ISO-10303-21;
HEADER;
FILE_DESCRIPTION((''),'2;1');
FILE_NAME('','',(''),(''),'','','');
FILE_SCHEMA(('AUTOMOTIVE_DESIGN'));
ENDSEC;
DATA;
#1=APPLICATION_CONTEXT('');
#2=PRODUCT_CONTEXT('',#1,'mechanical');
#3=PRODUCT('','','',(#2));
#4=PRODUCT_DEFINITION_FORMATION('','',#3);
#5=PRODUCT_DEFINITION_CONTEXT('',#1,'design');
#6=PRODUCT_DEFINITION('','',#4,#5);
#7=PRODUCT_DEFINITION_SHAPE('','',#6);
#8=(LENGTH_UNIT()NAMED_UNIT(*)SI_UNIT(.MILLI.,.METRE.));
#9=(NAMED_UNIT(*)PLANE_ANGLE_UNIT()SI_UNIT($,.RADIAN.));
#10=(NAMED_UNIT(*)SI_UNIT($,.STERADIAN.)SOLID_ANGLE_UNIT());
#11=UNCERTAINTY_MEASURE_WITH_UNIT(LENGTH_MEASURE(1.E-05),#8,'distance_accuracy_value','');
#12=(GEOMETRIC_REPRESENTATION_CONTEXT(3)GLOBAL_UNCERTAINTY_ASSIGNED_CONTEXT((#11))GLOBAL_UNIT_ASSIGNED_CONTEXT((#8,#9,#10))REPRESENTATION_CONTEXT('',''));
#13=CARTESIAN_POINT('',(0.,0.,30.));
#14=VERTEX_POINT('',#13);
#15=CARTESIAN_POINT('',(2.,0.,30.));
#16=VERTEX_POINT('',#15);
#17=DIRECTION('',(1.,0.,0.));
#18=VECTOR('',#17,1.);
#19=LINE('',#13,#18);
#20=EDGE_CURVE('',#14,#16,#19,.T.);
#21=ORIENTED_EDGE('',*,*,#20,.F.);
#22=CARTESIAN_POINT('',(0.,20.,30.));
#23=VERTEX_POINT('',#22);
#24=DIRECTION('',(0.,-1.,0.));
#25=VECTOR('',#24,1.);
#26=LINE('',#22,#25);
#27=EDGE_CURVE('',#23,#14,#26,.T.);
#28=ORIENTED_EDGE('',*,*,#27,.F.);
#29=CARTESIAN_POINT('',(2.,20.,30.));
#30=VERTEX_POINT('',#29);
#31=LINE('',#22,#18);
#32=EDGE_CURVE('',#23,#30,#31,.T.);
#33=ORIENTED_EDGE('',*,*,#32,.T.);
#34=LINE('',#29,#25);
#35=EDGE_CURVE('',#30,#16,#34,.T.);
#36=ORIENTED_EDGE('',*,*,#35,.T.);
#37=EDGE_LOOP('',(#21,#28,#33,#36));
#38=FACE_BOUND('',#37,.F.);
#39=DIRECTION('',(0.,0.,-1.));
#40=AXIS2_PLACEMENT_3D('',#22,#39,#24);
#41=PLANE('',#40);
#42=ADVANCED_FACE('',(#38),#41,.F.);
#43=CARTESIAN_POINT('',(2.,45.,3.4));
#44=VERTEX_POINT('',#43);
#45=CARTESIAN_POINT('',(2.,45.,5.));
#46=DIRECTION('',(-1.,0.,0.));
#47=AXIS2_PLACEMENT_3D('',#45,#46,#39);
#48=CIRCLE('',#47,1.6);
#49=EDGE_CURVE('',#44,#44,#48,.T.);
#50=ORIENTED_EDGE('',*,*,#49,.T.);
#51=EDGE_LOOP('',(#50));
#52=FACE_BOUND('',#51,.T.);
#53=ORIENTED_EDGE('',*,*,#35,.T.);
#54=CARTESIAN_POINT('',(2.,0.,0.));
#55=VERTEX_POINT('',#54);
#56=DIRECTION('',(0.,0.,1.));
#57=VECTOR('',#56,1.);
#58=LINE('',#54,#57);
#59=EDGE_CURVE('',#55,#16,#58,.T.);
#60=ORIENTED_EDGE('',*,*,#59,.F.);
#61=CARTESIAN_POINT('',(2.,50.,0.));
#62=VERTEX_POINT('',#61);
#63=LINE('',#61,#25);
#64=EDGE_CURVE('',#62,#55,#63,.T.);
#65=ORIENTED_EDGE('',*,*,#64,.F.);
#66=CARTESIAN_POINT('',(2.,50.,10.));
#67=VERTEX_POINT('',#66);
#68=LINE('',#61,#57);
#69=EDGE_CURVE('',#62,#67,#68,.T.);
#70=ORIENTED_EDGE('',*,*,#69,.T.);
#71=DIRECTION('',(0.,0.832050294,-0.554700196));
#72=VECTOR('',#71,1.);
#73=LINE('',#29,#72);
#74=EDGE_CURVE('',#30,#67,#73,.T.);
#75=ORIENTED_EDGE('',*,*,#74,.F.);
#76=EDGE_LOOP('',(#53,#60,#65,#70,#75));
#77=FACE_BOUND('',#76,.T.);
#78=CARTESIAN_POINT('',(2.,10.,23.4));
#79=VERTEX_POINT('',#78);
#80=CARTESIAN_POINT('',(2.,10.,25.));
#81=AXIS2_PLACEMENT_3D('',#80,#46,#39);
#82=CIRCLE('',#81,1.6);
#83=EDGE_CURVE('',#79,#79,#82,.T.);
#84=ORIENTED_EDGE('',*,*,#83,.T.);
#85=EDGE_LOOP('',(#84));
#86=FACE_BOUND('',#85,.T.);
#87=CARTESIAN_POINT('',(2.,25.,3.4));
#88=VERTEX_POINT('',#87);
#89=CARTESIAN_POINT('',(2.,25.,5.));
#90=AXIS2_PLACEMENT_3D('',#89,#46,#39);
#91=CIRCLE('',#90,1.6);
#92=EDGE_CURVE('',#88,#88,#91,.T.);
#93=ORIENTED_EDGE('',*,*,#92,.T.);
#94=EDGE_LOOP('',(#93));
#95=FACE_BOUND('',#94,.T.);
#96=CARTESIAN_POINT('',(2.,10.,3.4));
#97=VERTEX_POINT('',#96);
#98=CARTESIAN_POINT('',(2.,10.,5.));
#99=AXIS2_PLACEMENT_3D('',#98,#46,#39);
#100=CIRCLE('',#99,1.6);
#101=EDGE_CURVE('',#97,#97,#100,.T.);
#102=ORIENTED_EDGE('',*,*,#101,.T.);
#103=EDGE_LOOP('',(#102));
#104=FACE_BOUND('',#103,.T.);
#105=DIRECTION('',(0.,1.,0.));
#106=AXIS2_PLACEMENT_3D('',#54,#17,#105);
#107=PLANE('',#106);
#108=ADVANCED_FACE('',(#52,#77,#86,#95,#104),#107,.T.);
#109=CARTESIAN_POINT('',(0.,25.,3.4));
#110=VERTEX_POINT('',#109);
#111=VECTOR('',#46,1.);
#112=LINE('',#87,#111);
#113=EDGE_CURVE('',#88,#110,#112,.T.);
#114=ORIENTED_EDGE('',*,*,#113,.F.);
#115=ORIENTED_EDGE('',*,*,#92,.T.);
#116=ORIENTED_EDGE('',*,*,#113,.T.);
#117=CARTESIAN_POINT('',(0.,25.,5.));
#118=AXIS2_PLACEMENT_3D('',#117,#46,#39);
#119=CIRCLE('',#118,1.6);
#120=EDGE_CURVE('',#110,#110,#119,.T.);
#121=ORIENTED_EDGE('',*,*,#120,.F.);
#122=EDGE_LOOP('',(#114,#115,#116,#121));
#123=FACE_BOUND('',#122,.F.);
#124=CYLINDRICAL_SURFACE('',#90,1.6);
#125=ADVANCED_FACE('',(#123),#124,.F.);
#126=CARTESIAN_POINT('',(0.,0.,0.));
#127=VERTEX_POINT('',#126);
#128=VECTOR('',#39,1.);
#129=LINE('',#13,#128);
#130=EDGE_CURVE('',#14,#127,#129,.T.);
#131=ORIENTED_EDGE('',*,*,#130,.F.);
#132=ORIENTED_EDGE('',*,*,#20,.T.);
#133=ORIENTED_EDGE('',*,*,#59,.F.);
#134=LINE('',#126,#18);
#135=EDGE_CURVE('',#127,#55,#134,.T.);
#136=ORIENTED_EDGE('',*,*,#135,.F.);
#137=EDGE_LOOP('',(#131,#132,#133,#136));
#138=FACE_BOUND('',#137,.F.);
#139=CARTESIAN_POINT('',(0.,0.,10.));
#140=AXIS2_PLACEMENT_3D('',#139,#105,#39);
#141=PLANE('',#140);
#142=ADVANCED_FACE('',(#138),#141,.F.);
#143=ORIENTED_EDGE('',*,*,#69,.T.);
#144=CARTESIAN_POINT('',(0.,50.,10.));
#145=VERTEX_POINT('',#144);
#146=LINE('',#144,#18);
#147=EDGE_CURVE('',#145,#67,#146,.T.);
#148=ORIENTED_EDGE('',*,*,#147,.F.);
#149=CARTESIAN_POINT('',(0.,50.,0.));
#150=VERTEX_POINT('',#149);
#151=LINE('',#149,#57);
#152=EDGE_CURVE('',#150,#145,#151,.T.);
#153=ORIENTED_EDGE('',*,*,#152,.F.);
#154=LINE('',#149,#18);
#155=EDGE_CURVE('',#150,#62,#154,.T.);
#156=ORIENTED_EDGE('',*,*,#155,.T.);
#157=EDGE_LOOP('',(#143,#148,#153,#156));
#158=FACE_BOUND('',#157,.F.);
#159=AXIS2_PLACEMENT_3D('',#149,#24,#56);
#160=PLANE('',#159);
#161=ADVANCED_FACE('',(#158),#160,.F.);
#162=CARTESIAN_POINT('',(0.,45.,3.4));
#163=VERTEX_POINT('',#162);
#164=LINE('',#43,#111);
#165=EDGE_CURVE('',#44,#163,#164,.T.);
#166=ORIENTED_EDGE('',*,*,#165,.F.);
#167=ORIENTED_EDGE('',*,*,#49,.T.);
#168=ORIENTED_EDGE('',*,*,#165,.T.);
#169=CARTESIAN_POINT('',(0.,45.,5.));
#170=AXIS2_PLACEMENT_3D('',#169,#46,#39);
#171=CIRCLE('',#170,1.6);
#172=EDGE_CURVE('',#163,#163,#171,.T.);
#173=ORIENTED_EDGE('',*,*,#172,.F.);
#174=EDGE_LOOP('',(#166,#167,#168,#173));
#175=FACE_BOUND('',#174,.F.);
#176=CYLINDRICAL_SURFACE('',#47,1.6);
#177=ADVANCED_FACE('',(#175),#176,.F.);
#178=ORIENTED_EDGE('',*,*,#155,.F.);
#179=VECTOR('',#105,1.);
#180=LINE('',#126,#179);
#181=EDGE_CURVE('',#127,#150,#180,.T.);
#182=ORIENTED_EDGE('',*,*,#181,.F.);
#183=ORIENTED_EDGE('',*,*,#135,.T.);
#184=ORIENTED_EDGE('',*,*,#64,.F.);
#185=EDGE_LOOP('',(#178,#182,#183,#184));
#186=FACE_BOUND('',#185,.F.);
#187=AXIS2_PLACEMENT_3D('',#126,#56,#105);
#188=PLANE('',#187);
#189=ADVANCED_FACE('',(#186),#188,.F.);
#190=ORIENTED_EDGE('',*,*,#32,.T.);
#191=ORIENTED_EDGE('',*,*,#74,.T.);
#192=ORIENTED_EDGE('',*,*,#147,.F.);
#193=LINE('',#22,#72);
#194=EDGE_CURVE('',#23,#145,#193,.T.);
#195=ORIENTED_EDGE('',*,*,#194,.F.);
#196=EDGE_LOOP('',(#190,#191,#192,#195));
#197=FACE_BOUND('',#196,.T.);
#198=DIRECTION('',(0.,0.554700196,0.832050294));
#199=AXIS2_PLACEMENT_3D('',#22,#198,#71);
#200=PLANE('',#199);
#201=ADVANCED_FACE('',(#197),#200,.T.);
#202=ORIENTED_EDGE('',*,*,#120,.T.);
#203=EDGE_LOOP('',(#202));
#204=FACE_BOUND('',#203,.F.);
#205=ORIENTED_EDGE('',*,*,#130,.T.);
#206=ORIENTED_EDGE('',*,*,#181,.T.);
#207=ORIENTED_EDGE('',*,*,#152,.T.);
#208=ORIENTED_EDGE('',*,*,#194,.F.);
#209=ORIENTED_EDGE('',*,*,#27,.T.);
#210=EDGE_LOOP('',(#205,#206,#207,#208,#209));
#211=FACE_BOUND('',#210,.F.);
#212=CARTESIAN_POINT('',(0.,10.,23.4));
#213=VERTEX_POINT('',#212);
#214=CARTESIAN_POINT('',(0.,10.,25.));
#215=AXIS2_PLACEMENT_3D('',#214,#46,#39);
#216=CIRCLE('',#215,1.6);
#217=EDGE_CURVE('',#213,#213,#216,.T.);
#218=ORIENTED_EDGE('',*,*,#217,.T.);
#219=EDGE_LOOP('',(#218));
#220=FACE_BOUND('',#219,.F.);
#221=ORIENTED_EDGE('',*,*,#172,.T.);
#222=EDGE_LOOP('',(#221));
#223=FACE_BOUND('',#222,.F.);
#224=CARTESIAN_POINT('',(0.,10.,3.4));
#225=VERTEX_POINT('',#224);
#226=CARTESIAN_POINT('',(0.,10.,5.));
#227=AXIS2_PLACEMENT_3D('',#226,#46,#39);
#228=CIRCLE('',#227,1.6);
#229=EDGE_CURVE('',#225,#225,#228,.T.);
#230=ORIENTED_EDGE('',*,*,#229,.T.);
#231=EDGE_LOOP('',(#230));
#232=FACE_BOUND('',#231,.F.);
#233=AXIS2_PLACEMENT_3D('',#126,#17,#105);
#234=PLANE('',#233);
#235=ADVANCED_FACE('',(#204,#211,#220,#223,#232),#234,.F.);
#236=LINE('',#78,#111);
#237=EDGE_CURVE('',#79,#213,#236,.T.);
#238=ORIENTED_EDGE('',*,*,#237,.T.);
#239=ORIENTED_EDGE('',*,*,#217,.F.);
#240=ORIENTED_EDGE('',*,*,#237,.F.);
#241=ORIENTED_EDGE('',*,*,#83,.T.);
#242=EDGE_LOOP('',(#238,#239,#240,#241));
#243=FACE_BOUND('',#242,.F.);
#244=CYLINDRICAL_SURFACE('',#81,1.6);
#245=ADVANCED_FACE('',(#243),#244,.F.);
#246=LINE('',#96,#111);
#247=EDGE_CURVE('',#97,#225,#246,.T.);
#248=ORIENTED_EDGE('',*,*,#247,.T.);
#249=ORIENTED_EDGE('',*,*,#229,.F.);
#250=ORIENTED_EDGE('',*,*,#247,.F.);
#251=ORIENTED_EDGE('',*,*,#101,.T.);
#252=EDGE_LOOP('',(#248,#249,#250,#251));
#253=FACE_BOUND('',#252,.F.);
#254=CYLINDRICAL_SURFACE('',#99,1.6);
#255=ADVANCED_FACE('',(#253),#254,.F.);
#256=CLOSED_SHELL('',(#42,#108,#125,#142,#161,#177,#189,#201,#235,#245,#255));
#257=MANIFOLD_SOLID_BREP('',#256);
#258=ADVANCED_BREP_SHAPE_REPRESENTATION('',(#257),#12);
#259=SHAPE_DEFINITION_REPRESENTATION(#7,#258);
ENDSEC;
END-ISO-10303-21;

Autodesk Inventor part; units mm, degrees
ref_plane "YZ Plane" through (0, 0, 0) normal (1, 0, 0) x (0, 1, 0)
ref_plane "XZ Plane" through (0, 0, 0) normal (0, 1, 0) x (-1, 0, 0)
ref_plane "XY Plane" through (0, 0, 0) normal (0, 0, 1) x (1, 0, 0)
sketch "スケッチ1" plane through (0, 0, 0) normal (1, 0, 0) x (0, 1, 0)
  line L0 (0, 0) -> (50, 0)
  line L1 (50, 0) -> (50, 10)
  line L2 (50, 10) -> (0, 10) construction
  line L3 (0, 10) -> (0, 0)
  line L4 (0, 0) -> (20, 0)
  line L5 (20, 0) -> (20, 30) construction
  line L6 (20, 30) -> (0, 30)
  line L7 (0, 30) -> (0, 0)
  line L8 (20, 30) -> (50, 10)
  dimension "d0" = 10
  dimension "d1" = 20
  dimension "d2" = 30
  dimension "d3" = 30
extrude "押し出し1" add sketch "スケッチ1" along normal blind 2
sketch "スケッチ2" plane through (2, 0, 0) normal (1, 0, 0) x (0, 0, -1)
  line L0 (-30, 20) -> (-30, 0) projected
  line L1 (-30, 10) -> (0, 10) construction
  line L2 (0, 0) -> (0, 50) projected
  line L3 (0, 50) -> (-10, 50) projected
  line L4 (-5, 50) -> (-5, 0) construction
  line L5 (-30, 0) -> (0, 0) projected
  point P0 (-25, 10)
  point P1 (-5, 10)
  point P2 (-5, 25)
  point P3 (-5, 45)
  dimension "d6" = 20
  dimension "d7" = 5
  dimension "d8" = 20
  dimension "d9" = 5
hole "穴1" at (2, 10, 25) at (2, 10, 5) at (2, 25, 5) at (2, 45, 5) direction (-1, 0, 0) diameter 3.2 end through all
properties part number "FrameJoint2010" material "アルミニウム 6061"
